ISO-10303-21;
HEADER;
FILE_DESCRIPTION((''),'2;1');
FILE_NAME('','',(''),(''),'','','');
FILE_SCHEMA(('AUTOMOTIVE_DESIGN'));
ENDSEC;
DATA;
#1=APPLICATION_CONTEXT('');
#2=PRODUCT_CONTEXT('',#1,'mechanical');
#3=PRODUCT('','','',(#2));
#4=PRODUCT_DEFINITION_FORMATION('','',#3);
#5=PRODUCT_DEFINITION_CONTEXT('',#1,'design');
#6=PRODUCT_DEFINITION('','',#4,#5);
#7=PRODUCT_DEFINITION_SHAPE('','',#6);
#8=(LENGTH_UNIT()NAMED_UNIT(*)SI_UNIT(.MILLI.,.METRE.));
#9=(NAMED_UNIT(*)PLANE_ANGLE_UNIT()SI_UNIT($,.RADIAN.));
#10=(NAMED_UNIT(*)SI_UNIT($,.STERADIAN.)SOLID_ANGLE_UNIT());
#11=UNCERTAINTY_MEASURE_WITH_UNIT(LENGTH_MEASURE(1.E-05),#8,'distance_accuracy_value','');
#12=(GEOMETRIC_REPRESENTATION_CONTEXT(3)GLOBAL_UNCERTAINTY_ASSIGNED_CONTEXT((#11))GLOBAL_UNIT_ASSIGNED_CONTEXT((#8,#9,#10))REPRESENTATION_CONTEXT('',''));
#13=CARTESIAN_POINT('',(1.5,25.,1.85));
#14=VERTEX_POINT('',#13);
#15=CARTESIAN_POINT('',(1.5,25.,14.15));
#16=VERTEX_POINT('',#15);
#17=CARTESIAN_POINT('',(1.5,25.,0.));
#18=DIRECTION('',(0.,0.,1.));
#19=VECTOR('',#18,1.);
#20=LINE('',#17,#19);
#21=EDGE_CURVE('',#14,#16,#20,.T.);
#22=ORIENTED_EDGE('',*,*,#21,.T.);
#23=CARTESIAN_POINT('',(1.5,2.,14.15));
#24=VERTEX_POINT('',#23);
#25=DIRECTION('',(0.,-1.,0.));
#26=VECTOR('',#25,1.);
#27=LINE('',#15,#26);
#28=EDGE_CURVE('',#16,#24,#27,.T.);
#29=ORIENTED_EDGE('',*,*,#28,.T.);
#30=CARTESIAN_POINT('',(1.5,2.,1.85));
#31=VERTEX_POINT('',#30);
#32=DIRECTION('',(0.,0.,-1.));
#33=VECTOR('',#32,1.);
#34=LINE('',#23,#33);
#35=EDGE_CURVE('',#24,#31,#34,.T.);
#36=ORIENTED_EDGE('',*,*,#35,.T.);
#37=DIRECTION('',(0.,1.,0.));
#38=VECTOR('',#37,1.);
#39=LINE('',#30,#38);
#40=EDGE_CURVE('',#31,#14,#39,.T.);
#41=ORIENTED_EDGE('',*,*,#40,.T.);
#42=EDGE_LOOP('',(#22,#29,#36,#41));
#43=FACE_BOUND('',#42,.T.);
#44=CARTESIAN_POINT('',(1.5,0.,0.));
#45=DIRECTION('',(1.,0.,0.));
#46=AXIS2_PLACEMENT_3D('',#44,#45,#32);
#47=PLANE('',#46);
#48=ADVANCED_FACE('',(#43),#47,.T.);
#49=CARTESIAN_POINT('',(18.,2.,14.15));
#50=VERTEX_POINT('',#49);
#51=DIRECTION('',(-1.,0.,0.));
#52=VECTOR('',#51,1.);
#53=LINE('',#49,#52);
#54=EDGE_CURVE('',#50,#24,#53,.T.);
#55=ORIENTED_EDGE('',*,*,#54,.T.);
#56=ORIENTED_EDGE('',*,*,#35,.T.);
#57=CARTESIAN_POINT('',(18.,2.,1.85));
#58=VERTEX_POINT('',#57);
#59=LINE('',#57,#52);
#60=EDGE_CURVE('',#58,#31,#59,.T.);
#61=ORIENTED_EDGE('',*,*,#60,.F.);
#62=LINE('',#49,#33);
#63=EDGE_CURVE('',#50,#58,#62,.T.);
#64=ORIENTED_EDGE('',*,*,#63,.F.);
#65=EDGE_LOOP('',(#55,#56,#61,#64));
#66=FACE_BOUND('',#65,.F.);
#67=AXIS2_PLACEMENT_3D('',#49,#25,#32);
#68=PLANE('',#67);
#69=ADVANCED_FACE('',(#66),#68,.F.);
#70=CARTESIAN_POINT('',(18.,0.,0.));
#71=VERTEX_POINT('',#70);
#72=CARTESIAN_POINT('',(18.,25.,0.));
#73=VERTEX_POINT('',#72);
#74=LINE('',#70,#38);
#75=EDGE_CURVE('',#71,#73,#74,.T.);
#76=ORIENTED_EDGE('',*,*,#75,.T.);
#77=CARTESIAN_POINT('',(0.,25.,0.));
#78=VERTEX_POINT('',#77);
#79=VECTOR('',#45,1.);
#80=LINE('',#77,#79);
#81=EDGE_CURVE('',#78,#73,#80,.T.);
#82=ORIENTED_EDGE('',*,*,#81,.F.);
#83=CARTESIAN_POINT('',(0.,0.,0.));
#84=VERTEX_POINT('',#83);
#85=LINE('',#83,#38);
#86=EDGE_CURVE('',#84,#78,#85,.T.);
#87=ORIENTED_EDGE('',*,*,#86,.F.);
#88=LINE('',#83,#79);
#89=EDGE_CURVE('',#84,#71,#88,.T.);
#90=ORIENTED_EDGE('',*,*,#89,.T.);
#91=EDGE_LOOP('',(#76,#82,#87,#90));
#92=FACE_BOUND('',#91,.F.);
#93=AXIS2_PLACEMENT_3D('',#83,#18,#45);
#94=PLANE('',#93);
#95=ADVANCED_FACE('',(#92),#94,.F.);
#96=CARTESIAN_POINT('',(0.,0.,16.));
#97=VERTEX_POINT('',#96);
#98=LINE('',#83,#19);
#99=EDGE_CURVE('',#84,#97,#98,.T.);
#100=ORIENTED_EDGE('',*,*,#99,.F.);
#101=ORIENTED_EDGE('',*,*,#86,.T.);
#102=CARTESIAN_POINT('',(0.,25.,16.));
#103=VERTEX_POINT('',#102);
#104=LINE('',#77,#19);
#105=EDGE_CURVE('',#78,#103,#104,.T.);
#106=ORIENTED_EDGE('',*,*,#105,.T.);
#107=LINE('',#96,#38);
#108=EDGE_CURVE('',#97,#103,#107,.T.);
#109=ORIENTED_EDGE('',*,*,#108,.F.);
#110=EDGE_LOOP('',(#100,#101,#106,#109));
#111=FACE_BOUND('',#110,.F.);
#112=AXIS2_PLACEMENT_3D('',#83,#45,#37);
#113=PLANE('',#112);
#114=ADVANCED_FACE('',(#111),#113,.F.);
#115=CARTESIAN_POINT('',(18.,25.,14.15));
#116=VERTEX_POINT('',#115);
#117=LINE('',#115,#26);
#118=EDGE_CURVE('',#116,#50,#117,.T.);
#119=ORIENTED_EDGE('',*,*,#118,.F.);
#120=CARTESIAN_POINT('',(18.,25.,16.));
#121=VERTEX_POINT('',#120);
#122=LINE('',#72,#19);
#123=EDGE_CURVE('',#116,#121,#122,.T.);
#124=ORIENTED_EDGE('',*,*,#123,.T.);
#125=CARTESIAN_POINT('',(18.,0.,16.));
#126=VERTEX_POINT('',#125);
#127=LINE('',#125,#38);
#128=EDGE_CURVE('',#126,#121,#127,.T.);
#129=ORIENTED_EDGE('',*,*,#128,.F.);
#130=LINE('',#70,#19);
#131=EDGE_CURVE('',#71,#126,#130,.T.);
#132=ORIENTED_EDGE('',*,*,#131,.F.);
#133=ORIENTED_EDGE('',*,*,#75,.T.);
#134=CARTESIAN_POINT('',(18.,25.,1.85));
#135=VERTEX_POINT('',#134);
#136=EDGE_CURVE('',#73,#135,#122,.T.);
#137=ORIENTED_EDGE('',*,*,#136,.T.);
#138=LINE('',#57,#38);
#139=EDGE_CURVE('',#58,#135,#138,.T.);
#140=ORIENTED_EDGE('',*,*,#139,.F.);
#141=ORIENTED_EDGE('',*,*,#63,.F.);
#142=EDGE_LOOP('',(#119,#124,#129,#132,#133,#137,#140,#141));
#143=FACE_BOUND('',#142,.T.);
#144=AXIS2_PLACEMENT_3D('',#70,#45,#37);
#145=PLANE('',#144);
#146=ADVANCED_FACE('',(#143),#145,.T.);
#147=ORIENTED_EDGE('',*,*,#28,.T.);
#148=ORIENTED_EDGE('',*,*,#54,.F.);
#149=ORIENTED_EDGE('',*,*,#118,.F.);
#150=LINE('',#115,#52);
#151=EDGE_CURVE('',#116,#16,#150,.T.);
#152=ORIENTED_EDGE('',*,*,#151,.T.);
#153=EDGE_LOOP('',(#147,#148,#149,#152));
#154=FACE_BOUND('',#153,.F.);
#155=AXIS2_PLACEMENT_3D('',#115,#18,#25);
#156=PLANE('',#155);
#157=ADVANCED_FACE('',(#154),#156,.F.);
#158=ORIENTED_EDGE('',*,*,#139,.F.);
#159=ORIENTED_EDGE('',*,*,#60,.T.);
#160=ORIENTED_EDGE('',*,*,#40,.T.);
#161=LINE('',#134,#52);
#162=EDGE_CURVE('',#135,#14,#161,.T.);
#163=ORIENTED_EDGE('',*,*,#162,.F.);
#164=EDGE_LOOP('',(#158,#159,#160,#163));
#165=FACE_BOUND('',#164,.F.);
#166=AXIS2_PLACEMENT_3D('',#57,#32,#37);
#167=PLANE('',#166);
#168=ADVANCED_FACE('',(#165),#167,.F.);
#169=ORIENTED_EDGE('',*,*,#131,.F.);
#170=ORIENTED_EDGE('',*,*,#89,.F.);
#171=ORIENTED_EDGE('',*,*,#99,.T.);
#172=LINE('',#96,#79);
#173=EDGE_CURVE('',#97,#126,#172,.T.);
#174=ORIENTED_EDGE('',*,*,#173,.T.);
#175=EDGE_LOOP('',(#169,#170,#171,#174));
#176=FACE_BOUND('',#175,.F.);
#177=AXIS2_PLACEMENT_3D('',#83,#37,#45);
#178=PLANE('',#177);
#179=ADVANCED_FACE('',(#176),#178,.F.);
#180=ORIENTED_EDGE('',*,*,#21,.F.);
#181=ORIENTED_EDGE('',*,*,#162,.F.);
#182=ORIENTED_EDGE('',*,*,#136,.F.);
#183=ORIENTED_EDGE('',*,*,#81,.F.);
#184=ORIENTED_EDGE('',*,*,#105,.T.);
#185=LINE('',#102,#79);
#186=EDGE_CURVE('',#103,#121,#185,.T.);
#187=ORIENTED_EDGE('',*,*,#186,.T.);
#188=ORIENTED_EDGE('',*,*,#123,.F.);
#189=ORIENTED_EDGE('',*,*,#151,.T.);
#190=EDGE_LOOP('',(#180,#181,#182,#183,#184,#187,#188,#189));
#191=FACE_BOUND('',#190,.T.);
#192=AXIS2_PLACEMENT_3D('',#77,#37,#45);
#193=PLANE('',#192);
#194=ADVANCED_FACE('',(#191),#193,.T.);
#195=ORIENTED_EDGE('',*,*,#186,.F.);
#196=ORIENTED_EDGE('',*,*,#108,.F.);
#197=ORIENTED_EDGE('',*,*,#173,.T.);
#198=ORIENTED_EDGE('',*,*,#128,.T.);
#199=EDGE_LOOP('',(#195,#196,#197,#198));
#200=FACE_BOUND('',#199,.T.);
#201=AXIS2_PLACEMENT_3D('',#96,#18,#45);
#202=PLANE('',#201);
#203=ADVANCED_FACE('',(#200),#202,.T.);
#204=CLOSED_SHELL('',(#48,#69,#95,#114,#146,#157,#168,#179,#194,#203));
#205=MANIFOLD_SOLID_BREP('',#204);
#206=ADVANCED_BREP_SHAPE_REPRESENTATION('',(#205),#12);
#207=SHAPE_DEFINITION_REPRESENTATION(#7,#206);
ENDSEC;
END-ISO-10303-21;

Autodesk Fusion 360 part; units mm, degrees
box "BoxPrimitive1" add length 25 width 16 height 18 placed x (0, 1, 0) y (0, 0, 1) z (1, 0, 0) at (0, 0, 0)
sketch "Sketch2" plane through (18, 0, 0) normal (1, 0, 0) x (0, 0, -1)
  line L0 (0, 25) -> (-16, 25)
  line L1 (-16, 25) -> (-16, 0)
  line L2 (-16, 0) -> (0, 0)
  line L3 (0, 0) -> (0, 25)
  line L4 (-8, 25) -> (-8, 13.5) construction
  line L5 (-1.85, 25) -> (-14.15, 25)
  line L6 (-14.15, 25) -> (-14.15, 2)
  line L7 (-14.15, 2) -> (-1.85, 2)
  line L8 (-1.85, 2) -> (-1.85, 25)
  line L9 (-1.85, 25) -> (-14.15, 2) construction
  line L10 (-14.15, 25) -> (-1.85, 2) construction
  point P0 (-8, 13.5)
  dimension "d12" = 11.5
  dimension "d13" = 12.3
  dimension "d14" = 23
extrude "Extrude1" cut sketch "Sketch2" against normal blind 16.5 contours L0 L5 L6 L7 L8
equation "Height = 25 mm"
equation "Width = 16 mm"
equation "LengthHole = 16.5 mm"
equation "Length = 18 mm"
equation "d5 = Height"
equation "d6 = Width"
equation "d7 = Length"
equation "WidthHole = 12.3 mm"
equation "Heighthole = 23 mm"
equation "d12 = Heighthole / 2"
equation "d13 = WidthHole"
equation "d14 = Heighthole"
equation "d15 = -LengthHole"
